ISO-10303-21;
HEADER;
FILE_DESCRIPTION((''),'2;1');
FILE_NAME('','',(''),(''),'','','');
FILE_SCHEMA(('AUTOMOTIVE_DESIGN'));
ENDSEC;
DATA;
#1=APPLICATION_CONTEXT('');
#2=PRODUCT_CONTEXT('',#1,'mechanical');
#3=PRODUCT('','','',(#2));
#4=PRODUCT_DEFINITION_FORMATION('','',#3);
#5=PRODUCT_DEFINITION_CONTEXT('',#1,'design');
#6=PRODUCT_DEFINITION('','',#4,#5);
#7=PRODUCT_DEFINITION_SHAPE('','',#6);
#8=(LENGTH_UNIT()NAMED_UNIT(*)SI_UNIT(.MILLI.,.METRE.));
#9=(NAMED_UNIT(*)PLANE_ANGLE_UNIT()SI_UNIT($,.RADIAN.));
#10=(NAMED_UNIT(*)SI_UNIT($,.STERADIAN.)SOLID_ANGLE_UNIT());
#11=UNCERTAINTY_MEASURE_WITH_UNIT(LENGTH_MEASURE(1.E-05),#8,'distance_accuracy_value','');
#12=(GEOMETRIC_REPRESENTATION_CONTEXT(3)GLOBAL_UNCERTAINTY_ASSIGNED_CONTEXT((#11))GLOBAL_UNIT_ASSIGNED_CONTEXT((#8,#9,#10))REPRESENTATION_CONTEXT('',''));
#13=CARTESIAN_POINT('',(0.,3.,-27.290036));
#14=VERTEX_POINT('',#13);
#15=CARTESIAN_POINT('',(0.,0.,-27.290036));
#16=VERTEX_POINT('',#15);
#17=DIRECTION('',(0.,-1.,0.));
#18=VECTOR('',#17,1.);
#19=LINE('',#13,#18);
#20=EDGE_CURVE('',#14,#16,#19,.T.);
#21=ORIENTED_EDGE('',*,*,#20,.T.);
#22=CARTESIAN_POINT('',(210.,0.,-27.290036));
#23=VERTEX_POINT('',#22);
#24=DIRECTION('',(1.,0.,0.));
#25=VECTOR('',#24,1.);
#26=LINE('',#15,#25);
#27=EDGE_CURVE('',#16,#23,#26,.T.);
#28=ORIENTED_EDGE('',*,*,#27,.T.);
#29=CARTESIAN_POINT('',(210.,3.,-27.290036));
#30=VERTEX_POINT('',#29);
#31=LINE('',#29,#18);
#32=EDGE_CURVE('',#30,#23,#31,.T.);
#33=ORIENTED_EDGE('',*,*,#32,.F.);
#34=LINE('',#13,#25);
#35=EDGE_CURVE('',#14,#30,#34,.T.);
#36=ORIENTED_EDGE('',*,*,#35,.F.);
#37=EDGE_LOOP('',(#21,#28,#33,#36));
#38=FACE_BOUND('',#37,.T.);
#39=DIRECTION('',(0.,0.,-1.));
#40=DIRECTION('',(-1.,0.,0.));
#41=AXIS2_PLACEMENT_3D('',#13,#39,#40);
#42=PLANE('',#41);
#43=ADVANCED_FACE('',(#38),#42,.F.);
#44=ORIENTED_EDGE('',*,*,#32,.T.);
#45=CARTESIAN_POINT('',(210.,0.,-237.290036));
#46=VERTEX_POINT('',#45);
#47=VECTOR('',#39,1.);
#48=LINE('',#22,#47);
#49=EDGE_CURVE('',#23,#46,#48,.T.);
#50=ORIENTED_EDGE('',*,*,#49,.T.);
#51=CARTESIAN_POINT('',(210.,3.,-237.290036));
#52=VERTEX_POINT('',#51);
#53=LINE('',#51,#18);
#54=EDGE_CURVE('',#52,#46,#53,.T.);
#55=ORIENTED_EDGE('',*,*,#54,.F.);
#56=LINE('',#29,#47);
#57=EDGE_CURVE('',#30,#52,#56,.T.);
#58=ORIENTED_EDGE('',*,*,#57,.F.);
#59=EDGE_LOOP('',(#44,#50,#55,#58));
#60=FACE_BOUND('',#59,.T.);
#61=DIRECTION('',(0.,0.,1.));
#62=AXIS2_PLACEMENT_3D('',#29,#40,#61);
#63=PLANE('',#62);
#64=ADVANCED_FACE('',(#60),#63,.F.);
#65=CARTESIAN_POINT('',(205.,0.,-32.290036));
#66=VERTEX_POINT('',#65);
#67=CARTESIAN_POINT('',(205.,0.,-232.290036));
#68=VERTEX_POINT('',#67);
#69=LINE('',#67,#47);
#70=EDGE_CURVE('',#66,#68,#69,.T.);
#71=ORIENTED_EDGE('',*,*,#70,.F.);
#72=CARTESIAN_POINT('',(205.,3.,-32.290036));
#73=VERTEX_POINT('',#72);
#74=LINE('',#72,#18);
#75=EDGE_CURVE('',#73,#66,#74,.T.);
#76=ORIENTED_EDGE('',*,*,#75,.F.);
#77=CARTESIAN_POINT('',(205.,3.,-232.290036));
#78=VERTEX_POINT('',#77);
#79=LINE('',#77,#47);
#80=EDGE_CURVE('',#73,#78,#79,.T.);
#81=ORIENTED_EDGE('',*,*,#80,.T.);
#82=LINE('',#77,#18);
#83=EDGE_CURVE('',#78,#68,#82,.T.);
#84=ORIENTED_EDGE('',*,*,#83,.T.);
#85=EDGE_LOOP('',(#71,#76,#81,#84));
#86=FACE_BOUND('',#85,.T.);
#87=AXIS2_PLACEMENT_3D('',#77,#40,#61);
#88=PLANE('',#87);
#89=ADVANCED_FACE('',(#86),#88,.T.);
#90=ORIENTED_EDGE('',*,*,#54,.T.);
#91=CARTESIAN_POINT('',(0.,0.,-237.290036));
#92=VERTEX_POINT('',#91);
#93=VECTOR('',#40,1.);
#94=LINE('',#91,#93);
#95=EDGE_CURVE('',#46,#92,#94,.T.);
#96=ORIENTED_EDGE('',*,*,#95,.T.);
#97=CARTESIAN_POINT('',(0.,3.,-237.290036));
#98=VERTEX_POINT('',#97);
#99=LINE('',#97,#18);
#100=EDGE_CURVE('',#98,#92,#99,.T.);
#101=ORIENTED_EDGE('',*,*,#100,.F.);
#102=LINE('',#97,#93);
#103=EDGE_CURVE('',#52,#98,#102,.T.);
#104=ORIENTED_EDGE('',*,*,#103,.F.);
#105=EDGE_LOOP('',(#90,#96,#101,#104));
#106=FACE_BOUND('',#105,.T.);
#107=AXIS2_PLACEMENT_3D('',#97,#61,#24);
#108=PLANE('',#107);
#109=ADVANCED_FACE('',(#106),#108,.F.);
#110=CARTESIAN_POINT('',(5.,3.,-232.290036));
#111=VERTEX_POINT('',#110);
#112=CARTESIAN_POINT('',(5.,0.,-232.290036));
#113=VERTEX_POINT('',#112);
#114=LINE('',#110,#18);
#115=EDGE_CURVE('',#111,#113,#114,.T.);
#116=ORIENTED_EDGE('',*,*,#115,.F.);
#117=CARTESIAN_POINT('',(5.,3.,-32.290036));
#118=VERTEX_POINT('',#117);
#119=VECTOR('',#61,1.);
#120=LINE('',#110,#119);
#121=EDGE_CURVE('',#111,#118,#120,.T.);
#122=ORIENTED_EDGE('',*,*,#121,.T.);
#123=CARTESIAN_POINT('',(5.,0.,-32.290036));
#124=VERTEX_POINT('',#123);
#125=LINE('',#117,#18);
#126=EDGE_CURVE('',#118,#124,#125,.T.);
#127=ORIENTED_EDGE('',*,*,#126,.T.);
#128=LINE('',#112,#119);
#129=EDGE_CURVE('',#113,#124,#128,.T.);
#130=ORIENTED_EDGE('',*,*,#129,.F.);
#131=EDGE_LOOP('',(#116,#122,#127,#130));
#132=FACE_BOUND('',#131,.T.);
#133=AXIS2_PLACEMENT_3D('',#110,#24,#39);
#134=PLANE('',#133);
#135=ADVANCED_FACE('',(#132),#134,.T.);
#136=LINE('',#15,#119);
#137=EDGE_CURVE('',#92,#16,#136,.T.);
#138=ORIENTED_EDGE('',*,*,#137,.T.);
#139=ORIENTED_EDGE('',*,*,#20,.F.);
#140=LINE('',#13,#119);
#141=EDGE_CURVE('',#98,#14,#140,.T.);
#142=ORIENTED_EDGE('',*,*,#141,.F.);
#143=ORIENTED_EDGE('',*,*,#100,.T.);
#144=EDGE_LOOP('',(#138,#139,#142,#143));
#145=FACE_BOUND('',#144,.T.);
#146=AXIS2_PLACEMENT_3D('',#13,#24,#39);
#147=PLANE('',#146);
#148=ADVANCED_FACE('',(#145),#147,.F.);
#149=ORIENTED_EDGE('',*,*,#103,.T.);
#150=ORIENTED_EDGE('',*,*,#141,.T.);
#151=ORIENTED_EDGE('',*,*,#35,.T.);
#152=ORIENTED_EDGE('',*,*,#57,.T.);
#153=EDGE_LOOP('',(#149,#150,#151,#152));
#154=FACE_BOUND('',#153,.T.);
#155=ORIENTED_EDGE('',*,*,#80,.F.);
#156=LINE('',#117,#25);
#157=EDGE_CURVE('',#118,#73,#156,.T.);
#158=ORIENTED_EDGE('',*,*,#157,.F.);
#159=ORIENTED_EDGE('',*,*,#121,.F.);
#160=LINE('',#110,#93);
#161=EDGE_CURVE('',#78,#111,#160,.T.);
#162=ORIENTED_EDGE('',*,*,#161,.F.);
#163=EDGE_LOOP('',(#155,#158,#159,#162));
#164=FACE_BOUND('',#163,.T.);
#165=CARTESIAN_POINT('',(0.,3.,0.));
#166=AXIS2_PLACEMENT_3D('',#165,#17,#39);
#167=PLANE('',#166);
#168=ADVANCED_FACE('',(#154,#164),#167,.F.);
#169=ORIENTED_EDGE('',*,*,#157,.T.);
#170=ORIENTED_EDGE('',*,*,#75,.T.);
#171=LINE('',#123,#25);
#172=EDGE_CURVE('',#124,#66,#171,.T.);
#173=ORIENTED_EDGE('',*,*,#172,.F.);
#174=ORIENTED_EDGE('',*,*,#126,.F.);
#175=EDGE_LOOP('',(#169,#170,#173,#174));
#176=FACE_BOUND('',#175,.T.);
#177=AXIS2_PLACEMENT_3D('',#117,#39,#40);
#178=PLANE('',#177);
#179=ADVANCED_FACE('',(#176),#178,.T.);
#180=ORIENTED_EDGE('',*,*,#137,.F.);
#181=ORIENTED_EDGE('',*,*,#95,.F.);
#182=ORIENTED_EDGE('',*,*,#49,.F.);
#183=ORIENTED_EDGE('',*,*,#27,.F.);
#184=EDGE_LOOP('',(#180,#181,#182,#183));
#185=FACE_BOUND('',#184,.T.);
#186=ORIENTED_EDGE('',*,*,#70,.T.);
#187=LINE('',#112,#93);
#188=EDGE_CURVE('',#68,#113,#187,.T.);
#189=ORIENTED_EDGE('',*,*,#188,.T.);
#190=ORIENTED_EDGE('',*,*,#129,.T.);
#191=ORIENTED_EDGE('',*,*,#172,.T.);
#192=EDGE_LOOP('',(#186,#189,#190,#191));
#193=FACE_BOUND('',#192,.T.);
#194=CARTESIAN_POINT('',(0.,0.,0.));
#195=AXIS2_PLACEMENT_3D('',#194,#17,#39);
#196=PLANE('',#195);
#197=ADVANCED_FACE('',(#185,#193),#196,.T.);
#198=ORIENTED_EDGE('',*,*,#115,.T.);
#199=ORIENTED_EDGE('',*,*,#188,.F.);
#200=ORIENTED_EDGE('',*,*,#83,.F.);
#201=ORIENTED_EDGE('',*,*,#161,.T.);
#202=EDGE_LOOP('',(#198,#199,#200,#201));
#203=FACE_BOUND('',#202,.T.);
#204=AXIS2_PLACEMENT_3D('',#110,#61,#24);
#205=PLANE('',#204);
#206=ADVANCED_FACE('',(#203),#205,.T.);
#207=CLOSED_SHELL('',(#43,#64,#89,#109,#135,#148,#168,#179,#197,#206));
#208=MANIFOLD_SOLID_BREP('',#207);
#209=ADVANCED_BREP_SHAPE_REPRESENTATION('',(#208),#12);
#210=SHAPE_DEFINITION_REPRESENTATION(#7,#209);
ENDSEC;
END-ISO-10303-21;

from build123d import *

# Parameters (mm, degrees)
SKETCH1_W           = 210
SKETCH1_H           = 210
SKETCH1_W_2         = 200
SKETCH1_H_2         = 200
BOSS_EXTRUDE1_DEPTH = 3


with BuildPart() as part:
    # Sketch1 → Boss-Extrude1 (new body)
    with BuildSketch(Plane(origin=(0, 0, 0), x_dir=(1, 0, 0), z_dir=(0, 1, 0))):
        with Locations((105, 132.290035766)):
            Rectangle(SKETCH1_W, SKETCH1_H)
        with Locations((105, 132.290035766)):
            Rectangle(SKETCH1_W_2, SKETCH1_H_2, mode=Mode.SUBTRACT)
    extrude(amount=BOSS_EXTRUDE1_DEPTH)


solid = part.part
